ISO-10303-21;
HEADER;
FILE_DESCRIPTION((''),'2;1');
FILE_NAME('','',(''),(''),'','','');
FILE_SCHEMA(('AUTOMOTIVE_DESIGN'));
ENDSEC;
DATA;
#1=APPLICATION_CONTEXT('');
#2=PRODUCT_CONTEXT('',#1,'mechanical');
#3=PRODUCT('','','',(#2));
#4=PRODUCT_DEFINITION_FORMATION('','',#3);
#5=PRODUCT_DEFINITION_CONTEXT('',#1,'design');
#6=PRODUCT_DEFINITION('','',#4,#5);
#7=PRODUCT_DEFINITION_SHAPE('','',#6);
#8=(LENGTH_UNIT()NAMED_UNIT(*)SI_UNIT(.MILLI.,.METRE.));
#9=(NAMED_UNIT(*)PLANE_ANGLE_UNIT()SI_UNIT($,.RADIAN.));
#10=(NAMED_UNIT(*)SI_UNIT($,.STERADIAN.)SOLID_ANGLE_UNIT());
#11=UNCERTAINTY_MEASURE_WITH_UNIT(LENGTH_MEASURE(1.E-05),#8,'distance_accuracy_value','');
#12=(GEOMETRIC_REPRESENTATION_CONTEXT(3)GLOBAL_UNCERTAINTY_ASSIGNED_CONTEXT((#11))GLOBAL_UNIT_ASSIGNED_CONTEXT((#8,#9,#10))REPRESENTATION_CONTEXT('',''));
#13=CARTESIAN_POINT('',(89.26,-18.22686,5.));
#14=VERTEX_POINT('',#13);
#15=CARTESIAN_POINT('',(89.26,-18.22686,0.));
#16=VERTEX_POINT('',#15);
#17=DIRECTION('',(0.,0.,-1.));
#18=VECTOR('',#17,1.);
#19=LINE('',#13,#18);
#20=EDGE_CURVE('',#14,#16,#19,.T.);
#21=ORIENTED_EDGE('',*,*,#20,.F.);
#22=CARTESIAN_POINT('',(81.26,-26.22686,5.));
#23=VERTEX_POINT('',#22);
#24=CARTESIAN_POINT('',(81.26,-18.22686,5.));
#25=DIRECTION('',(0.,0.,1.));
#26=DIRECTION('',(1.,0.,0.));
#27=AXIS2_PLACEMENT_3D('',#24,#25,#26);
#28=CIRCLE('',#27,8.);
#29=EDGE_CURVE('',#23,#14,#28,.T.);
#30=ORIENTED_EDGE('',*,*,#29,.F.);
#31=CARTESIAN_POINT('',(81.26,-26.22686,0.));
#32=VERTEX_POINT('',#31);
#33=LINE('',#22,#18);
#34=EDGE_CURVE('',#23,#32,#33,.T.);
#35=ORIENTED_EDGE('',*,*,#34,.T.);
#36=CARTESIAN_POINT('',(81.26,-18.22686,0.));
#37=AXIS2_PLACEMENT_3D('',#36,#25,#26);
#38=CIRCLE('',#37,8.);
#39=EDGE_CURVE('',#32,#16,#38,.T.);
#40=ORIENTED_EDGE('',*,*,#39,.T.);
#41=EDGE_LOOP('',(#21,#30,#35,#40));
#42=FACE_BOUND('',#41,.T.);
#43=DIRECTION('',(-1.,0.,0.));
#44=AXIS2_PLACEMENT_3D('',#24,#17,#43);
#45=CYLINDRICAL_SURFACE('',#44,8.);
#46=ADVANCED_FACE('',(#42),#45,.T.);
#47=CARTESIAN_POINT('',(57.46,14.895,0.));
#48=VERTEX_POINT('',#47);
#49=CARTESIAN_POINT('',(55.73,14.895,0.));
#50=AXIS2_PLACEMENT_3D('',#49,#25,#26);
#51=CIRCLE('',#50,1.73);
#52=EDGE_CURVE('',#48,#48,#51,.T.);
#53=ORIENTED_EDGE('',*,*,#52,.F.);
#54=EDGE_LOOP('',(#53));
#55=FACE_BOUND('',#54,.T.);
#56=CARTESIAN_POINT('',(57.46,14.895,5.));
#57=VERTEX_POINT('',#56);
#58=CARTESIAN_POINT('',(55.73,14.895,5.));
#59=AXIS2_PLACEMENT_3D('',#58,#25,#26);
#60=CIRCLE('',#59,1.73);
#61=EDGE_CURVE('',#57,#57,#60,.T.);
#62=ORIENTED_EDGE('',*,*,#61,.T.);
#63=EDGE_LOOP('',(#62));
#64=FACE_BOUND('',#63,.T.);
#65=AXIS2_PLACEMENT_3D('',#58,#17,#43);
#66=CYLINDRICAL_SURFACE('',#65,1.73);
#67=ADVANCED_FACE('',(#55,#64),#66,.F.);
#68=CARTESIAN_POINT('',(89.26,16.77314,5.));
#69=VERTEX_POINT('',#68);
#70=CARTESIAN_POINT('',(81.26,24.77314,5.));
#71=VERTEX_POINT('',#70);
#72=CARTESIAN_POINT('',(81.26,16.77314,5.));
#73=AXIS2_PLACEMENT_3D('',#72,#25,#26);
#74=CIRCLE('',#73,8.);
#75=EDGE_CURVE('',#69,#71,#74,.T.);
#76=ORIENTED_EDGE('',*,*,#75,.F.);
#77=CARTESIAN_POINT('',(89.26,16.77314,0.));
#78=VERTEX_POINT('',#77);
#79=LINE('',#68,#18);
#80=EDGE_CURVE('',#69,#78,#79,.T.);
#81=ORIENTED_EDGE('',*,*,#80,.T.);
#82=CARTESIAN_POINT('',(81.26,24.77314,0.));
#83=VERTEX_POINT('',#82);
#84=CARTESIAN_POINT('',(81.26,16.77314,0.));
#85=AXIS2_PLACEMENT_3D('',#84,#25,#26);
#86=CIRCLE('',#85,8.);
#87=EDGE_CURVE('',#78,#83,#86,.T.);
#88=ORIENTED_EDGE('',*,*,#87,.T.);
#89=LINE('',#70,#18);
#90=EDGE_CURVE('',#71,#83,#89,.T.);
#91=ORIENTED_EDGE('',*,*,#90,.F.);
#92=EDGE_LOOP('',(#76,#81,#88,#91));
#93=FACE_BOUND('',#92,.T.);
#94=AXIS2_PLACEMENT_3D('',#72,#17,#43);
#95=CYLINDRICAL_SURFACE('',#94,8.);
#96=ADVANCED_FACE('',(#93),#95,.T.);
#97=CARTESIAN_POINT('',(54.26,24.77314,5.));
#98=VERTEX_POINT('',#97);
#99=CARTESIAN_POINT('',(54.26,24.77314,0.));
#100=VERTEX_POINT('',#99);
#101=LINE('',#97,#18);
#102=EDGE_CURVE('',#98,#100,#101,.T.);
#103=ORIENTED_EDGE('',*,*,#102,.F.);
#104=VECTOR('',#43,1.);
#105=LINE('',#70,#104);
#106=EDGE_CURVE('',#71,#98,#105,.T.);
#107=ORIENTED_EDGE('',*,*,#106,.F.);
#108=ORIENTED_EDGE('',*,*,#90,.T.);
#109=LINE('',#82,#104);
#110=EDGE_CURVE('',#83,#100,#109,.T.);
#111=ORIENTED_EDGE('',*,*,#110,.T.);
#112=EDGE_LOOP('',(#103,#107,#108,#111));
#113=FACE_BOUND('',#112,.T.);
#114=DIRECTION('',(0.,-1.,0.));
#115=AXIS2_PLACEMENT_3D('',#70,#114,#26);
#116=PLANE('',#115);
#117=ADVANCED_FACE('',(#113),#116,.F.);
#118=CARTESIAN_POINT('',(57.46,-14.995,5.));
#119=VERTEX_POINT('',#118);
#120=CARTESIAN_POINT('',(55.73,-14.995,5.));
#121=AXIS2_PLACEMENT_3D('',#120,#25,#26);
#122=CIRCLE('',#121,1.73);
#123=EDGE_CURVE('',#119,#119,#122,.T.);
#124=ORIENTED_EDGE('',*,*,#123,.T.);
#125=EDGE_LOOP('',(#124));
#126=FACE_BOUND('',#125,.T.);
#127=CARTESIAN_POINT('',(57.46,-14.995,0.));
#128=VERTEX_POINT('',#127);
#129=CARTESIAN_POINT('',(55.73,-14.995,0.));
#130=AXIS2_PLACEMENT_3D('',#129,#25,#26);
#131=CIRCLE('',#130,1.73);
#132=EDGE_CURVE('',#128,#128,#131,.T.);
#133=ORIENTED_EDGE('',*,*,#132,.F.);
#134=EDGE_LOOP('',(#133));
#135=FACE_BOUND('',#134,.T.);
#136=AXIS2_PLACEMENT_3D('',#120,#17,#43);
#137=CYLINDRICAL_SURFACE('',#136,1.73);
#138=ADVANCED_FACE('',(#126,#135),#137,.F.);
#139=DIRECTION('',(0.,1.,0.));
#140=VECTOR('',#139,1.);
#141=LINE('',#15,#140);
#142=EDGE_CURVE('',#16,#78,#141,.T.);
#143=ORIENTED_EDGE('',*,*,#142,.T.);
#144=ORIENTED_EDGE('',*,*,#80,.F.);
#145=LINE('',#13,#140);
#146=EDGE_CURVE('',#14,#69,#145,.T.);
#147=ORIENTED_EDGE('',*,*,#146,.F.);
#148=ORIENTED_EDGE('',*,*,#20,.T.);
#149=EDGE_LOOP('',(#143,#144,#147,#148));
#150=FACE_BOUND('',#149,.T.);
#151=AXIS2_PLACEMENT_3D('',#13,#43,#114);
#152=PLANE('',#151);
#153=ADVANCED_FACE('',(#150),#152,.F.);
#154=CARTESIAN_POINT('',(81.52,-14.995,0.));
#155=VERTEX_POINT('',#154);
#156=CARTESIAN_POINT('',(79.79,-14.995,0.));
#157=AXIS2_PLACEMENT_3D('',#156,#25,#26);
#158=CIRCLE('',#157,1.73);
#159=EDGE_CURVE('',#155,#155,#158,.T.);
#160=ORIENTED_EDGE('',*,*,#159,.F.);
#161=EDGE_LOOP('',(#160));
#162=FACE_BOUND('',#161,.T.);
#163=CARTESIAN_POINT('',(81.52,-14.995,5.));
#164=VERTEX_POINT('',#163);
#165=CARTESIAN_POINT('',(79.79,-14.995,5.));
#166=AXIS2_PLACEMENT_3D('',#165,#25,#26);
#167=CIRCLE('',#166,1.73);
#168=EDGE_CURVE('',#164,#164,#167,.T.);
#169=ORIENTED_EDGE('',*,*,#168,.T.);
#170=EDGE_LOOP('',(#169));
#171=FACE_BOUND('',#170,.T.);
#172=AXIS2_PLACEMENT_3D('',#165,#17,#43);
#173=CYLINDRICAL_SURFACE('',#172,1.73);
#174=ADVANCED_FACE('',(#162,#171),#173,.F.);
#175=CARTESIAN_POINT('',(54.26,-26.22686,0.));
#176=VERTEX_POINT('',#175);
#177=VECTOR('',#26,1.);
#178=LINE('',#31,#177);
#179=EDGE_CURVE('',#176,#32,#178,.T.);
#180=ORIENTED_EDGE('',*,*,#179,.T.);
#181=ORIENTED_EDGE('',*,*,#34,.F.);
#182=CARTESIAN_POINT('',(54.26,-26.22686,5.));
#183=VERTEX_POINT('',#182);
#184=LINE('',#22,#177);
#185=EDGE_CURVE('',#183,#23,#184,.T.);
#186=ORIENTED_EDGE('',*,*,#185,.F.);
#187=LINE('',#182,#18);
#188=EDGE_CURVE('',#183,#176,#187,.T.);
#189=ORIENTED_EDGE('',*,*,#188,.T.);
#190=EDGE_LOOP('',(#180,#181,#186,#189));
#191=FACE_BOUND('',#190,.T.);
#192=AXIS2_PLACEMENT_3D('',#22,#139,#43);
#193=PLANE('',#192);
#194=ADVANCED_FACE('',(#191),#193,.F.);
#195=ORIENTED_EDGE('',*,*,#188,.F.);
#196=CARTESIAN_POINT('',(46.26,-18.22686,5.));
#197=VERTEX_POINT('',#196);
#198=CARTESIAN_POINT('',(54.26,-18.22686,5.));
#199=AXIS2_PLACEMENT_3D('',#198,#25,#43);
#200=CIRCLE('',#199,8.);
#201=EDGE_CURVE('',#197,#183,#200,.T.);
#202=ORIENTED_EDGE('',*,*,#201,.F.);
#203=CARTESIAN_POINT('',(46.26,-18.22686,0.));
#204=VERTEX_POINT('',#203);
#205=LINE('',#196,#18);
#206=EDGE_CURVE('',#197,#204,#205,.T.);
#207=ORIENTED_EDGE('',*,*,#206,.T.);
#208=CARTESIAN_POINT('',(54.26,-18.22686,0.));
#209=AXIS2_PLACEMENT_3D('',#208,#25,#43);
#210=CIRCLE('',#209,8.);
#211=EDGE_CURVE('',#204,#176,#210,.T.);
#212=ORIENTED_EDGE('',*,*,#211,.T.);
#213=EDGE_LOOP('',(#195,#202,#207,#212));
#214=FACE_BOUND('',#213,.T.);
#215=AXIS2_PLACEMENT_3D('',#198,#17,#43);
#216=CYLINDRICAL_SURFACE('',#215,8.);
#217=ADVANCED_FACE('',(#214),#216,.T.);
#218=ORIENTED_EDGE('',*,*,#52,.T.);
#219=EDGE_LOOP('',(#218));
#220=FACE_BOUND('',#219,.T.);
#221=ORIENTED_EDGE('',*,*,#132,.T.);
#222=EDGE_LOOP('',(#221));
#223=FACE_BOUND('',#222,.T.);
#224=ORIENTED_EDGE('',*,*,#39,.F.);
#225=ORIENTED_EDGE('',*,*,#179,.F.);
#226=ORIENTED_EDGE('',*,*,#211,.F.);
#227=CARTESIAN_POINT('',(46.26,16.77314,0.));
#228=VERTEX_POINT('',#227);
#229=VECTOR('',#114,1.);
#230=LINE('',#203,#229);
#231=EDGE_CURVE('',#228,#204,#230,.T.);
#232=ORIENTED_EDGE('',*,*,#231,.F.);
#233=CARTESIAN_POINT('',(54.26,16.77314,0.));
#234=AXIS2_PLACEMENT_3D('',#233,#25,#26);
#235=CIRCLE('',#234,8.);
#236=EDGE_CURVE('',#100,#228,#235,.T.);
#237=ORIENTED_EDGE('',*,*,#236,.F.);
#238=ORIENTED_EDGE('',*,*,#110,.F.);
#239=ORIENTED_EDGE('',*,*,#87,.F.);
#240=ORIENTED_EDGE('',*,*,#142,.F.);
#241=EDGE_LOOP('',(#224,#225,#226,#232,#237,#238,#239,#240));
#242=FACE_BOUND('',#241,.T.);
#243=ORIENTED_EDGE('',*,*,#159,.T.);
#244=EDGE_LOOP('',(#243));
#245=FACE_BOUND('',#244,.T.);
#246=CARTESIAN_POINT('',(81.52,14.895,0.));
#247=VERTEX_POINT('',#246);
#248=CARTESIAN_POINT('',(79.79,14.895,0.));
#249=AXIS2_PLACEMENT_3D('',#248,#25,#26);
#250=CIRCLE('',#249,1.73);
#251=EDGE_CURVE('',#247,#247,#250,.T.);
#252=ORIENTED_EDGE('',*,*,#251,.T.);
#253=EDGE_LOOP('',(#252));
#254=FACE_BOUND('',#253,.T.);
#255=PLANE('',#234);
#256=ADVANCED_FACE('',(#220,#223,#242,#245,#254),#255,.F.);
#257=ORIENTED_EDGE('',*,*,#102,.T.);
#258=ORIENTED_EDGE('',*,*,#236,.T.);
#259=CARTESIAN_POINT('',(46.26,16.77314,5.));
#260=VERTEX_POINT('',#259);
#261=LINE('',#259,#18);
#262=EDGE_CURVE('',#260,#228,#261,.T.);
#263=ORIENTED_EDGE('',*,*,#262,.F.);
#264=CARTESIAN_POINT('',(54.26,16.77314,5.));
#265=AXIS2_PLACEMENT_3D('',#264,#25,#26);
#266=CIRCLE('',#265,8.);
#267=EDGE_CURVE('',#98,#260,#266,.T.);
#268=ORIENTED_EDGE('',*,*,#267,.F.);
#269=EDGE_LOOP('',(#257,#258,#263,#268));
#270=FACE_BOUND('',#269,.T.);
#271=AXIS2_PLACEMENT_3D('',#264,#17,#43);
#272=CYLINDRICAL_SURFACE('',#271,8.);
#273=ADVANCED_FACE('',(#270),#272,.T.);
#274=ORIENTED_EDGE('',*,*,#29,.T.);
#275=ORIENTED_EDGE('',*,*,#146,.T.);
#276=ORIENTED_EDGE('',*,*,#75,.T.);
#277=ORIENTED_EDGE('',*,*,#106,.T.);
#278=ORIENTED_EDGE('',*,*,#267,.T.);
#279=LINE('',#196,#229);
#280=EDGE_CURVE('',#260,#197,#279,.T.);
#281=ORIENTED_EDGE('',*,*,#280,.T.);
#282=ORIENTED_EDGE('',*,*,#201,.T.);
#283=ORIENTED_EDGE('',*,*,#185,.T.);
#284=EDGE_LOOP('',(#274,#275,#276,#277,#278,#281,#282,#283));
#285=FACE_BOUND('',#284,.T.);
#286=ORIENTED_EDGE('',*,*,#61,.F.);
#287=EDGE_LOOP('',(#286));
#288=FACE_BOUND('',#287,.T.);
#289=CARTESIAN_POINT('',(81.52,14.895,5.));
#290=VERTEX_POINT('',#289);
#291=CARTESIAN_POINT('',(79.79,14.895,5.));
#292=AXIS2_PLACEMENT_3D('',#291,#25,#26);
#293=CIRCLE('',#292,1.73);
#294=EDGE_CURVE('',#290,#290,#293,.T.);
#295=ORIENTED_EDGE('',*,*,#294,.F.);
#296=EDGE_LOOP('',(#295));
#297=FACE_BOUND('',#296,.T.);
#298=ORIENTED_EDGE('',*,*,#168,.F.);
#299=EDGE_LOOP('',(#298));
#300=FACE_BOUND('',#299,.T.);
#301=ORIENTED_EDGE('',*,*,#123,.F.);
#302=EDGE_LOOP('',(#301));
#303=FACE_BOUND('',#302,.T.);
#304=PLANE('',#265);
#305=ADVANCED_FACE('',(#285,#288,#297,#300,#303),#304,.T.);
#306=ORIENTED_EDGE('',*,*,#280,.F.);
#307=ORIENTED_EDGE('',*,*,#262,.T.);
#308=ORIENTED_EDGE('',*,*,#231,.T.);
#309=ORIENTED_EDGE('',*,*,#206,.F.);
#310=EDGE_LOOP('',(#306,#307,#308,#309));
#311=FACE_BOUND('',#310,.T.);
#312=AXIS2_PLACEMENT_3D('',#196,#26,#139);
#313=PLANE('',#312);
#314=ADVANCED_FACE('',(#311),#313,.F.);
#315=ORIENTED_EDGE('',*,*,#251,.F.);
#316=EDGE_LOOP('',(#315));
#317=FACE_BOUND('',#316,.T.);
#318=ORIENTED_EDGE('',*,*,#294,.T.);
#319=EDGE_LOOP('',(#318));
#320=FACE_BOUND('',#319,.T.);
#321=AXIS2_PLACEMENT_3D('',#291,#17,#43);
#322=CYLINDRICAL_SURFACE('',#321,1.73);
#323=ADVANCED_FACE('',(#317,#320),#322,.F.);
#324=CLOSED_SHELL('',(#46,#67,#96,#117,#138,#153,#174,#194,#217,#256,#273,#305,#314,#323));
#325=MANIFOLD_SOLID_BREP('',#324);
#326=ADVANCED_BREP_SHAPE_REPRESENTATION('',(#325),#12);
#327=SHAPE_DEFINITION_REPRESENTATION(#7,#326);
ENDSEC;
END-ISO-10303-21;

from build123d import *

# Parameters (mm, degrees)
SKETCH1_R           = 1.73
BOSS_EXTRUDE1_DEPTH = 5


with BuildPart() as part:
    # Sketch1 → Boss-Extrude1 (new body)
    with BuildSketch(Plane.XY):
        with BuildLine():
            Line((81.26, -26.226860465), (54.26, -26.226860465))
            ThreePointArc((54.26, -26.226860465), (48.603145751, -23.883714715), (46.26, -18.226860465))
            Line((46.26, -18.226860465), (46.26, 16.773139535))
            ThreePointArc((46.26, 16.773139535), (48.603145751, 22.429993784), (54.26, 24.773139535))
            Line((54.26, 24.773139535), (81.26, 24.773139535))
            ThreePointArc((81.26, 24.773139535), (86.916854249, 22.429993784), (89.26, 16.773139535))
            Line((89.26, 16.773139535), (89.26, -18.226860465))
            ThreePointArc((89.26, -18.226860465), (86.916854249, -23.883714715), (81.26, -26.226860465))
        make_face()
        with Locations((79.79, 14.895)):
            Circle(SKETCH1_R, mode=Mode.SUBTRACT)
        with Locations((55.73, 14.895)):
            Circle(SKETCH1_R, mode=Mode.SUBTRACT)
        with Locations((55.73, -14.995)):
            Circle(SKETCH1_R, mode=Mode.SUBTRACT)
        with Locations((79.79, -14.995)):
            Circle(SKETCH1_R, mode=Mode.SUBTRACT)
    extrude(amount=BOSS_EXTRUDE1_DEPTH)


solid = part.part
